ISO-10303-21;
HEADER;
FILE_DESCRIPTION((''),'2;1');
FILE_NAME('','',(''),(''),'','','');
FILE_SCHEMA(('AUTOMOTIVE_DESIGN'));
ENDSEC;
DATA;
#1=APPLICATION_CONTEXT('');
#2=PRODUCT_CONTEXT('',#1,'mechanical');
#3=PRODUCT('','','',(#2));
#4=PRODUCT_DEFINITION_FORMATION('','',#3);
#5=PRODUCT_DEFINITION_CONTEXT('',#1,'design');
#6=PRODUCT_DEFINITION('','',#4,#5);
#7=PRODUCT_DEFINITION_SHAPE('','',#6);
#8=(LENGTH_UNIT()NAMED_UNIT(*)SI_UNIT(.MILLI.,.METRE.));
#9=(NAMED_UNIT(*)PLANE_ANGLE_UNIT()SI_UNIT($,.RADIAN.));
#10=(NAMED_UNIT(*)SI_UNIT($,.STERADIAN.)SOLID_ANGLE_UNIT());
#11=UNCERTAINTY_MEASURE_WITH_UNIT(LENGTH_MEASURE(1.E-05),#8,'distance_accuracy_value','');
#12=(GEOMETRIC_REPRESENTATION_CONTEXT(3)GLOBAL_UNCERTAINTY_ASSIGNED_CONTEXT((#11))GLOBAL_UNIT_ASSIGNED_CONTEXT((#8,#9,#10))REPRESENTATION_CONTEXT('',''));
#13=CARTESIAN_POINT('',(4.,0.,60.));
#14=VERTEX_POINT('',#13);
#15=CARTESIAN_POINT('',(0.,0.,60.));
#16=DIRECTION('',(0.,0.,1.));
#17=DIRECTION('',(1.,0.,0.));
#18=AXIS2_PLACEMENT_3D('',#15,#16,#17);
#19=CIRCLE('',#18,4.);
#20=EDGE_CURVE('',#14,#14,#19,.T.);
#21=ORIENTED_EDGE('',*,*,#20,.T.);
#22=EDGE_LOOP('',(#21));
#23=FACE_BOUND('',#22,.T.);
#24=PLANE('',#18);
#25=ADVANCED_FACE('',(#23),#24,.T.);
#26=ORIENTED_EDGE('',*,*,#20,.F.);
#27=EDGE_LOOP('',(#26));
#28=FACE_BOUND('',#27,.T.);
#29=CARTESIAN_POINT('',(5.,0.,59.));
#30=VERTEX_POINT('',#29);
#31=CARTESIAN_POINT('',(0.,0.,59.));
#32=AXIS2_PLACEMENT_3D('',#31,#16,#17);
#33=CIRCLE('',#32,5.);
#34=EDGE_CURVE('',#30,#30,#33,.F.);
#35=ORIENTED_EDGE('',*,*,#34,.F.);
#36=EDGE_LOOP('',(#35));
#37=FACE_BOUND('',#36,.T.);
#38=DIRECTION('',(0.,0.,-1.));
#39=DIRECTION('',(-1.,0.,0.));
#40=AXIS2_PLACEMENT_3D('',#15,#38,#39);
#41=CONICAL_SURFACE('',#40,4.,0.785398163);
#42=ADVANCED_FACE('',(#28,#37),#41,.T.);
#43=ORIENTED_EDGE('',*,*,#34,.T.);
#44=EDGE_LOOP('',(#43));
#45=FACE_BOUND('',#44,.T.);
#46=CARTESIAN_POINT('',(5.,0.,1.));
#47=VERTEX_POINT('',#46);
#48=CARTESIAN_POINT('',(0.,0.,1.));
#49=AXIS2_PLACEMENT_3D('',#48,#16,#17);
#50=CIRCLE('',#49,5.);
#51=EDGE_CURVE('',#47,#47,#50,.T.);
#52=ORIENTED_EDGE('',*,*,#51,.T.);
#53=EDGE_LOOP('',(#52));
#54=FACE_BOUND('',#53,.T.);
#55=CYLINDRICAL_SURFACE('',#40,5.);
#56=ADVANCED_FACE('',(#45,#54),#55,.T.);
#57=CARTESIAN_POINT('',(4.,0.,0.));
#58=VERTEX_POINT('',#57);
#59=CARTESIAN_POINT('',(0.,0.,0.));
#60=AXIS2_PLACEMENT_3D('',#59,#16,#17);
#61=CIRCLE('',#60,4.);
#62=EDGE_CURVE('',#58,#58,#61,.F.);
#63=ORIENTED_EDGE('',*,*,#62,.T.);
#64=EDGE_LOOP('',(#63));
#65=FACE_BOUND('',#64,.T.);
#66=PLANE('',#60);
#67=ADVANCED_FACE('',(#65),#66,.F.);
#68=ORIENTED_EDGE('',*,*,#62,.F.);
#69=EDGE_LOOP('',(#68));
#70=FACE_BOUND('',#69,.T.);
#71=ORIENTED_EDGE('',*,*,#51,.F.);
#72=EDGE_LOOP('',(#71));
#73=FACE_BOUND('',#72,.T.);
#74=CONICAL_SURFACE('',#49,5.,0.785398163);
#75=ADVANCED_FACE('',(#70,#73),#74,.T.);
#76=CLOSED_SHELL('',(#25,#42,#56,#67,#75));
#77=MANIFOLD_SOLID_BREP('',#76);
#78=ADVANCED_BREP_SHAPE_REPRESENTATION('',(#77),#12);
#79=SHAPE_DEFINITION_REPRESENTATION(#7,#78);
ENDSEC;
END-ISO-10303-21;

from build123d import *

# Parameters (mm, degrees)
SKETCH_1_R      = 5
EXTRUDE_1_DEPTH = 60
CHAMFER_1_SIZE  = 1


with BuildPart() as part:
    # Эскиз1 → Бобышка-Вытянуть1 (new body)
    with BuildSketch(Plane.XY):
        Circle(SKETCH_1_R)
    extrude(amount=EXTRUDE_1_DEPTH)

    # Фаска1
    chamfer_1_edges = [part.edges().sort_by_distance(p)[0] for p in [
        (-5, 0, 0),
        (-5, 0, 60),
    ]]
    chamfer(chamfer_1_edges, length=CHAMFER_1_SIZE)


solid = part.part
